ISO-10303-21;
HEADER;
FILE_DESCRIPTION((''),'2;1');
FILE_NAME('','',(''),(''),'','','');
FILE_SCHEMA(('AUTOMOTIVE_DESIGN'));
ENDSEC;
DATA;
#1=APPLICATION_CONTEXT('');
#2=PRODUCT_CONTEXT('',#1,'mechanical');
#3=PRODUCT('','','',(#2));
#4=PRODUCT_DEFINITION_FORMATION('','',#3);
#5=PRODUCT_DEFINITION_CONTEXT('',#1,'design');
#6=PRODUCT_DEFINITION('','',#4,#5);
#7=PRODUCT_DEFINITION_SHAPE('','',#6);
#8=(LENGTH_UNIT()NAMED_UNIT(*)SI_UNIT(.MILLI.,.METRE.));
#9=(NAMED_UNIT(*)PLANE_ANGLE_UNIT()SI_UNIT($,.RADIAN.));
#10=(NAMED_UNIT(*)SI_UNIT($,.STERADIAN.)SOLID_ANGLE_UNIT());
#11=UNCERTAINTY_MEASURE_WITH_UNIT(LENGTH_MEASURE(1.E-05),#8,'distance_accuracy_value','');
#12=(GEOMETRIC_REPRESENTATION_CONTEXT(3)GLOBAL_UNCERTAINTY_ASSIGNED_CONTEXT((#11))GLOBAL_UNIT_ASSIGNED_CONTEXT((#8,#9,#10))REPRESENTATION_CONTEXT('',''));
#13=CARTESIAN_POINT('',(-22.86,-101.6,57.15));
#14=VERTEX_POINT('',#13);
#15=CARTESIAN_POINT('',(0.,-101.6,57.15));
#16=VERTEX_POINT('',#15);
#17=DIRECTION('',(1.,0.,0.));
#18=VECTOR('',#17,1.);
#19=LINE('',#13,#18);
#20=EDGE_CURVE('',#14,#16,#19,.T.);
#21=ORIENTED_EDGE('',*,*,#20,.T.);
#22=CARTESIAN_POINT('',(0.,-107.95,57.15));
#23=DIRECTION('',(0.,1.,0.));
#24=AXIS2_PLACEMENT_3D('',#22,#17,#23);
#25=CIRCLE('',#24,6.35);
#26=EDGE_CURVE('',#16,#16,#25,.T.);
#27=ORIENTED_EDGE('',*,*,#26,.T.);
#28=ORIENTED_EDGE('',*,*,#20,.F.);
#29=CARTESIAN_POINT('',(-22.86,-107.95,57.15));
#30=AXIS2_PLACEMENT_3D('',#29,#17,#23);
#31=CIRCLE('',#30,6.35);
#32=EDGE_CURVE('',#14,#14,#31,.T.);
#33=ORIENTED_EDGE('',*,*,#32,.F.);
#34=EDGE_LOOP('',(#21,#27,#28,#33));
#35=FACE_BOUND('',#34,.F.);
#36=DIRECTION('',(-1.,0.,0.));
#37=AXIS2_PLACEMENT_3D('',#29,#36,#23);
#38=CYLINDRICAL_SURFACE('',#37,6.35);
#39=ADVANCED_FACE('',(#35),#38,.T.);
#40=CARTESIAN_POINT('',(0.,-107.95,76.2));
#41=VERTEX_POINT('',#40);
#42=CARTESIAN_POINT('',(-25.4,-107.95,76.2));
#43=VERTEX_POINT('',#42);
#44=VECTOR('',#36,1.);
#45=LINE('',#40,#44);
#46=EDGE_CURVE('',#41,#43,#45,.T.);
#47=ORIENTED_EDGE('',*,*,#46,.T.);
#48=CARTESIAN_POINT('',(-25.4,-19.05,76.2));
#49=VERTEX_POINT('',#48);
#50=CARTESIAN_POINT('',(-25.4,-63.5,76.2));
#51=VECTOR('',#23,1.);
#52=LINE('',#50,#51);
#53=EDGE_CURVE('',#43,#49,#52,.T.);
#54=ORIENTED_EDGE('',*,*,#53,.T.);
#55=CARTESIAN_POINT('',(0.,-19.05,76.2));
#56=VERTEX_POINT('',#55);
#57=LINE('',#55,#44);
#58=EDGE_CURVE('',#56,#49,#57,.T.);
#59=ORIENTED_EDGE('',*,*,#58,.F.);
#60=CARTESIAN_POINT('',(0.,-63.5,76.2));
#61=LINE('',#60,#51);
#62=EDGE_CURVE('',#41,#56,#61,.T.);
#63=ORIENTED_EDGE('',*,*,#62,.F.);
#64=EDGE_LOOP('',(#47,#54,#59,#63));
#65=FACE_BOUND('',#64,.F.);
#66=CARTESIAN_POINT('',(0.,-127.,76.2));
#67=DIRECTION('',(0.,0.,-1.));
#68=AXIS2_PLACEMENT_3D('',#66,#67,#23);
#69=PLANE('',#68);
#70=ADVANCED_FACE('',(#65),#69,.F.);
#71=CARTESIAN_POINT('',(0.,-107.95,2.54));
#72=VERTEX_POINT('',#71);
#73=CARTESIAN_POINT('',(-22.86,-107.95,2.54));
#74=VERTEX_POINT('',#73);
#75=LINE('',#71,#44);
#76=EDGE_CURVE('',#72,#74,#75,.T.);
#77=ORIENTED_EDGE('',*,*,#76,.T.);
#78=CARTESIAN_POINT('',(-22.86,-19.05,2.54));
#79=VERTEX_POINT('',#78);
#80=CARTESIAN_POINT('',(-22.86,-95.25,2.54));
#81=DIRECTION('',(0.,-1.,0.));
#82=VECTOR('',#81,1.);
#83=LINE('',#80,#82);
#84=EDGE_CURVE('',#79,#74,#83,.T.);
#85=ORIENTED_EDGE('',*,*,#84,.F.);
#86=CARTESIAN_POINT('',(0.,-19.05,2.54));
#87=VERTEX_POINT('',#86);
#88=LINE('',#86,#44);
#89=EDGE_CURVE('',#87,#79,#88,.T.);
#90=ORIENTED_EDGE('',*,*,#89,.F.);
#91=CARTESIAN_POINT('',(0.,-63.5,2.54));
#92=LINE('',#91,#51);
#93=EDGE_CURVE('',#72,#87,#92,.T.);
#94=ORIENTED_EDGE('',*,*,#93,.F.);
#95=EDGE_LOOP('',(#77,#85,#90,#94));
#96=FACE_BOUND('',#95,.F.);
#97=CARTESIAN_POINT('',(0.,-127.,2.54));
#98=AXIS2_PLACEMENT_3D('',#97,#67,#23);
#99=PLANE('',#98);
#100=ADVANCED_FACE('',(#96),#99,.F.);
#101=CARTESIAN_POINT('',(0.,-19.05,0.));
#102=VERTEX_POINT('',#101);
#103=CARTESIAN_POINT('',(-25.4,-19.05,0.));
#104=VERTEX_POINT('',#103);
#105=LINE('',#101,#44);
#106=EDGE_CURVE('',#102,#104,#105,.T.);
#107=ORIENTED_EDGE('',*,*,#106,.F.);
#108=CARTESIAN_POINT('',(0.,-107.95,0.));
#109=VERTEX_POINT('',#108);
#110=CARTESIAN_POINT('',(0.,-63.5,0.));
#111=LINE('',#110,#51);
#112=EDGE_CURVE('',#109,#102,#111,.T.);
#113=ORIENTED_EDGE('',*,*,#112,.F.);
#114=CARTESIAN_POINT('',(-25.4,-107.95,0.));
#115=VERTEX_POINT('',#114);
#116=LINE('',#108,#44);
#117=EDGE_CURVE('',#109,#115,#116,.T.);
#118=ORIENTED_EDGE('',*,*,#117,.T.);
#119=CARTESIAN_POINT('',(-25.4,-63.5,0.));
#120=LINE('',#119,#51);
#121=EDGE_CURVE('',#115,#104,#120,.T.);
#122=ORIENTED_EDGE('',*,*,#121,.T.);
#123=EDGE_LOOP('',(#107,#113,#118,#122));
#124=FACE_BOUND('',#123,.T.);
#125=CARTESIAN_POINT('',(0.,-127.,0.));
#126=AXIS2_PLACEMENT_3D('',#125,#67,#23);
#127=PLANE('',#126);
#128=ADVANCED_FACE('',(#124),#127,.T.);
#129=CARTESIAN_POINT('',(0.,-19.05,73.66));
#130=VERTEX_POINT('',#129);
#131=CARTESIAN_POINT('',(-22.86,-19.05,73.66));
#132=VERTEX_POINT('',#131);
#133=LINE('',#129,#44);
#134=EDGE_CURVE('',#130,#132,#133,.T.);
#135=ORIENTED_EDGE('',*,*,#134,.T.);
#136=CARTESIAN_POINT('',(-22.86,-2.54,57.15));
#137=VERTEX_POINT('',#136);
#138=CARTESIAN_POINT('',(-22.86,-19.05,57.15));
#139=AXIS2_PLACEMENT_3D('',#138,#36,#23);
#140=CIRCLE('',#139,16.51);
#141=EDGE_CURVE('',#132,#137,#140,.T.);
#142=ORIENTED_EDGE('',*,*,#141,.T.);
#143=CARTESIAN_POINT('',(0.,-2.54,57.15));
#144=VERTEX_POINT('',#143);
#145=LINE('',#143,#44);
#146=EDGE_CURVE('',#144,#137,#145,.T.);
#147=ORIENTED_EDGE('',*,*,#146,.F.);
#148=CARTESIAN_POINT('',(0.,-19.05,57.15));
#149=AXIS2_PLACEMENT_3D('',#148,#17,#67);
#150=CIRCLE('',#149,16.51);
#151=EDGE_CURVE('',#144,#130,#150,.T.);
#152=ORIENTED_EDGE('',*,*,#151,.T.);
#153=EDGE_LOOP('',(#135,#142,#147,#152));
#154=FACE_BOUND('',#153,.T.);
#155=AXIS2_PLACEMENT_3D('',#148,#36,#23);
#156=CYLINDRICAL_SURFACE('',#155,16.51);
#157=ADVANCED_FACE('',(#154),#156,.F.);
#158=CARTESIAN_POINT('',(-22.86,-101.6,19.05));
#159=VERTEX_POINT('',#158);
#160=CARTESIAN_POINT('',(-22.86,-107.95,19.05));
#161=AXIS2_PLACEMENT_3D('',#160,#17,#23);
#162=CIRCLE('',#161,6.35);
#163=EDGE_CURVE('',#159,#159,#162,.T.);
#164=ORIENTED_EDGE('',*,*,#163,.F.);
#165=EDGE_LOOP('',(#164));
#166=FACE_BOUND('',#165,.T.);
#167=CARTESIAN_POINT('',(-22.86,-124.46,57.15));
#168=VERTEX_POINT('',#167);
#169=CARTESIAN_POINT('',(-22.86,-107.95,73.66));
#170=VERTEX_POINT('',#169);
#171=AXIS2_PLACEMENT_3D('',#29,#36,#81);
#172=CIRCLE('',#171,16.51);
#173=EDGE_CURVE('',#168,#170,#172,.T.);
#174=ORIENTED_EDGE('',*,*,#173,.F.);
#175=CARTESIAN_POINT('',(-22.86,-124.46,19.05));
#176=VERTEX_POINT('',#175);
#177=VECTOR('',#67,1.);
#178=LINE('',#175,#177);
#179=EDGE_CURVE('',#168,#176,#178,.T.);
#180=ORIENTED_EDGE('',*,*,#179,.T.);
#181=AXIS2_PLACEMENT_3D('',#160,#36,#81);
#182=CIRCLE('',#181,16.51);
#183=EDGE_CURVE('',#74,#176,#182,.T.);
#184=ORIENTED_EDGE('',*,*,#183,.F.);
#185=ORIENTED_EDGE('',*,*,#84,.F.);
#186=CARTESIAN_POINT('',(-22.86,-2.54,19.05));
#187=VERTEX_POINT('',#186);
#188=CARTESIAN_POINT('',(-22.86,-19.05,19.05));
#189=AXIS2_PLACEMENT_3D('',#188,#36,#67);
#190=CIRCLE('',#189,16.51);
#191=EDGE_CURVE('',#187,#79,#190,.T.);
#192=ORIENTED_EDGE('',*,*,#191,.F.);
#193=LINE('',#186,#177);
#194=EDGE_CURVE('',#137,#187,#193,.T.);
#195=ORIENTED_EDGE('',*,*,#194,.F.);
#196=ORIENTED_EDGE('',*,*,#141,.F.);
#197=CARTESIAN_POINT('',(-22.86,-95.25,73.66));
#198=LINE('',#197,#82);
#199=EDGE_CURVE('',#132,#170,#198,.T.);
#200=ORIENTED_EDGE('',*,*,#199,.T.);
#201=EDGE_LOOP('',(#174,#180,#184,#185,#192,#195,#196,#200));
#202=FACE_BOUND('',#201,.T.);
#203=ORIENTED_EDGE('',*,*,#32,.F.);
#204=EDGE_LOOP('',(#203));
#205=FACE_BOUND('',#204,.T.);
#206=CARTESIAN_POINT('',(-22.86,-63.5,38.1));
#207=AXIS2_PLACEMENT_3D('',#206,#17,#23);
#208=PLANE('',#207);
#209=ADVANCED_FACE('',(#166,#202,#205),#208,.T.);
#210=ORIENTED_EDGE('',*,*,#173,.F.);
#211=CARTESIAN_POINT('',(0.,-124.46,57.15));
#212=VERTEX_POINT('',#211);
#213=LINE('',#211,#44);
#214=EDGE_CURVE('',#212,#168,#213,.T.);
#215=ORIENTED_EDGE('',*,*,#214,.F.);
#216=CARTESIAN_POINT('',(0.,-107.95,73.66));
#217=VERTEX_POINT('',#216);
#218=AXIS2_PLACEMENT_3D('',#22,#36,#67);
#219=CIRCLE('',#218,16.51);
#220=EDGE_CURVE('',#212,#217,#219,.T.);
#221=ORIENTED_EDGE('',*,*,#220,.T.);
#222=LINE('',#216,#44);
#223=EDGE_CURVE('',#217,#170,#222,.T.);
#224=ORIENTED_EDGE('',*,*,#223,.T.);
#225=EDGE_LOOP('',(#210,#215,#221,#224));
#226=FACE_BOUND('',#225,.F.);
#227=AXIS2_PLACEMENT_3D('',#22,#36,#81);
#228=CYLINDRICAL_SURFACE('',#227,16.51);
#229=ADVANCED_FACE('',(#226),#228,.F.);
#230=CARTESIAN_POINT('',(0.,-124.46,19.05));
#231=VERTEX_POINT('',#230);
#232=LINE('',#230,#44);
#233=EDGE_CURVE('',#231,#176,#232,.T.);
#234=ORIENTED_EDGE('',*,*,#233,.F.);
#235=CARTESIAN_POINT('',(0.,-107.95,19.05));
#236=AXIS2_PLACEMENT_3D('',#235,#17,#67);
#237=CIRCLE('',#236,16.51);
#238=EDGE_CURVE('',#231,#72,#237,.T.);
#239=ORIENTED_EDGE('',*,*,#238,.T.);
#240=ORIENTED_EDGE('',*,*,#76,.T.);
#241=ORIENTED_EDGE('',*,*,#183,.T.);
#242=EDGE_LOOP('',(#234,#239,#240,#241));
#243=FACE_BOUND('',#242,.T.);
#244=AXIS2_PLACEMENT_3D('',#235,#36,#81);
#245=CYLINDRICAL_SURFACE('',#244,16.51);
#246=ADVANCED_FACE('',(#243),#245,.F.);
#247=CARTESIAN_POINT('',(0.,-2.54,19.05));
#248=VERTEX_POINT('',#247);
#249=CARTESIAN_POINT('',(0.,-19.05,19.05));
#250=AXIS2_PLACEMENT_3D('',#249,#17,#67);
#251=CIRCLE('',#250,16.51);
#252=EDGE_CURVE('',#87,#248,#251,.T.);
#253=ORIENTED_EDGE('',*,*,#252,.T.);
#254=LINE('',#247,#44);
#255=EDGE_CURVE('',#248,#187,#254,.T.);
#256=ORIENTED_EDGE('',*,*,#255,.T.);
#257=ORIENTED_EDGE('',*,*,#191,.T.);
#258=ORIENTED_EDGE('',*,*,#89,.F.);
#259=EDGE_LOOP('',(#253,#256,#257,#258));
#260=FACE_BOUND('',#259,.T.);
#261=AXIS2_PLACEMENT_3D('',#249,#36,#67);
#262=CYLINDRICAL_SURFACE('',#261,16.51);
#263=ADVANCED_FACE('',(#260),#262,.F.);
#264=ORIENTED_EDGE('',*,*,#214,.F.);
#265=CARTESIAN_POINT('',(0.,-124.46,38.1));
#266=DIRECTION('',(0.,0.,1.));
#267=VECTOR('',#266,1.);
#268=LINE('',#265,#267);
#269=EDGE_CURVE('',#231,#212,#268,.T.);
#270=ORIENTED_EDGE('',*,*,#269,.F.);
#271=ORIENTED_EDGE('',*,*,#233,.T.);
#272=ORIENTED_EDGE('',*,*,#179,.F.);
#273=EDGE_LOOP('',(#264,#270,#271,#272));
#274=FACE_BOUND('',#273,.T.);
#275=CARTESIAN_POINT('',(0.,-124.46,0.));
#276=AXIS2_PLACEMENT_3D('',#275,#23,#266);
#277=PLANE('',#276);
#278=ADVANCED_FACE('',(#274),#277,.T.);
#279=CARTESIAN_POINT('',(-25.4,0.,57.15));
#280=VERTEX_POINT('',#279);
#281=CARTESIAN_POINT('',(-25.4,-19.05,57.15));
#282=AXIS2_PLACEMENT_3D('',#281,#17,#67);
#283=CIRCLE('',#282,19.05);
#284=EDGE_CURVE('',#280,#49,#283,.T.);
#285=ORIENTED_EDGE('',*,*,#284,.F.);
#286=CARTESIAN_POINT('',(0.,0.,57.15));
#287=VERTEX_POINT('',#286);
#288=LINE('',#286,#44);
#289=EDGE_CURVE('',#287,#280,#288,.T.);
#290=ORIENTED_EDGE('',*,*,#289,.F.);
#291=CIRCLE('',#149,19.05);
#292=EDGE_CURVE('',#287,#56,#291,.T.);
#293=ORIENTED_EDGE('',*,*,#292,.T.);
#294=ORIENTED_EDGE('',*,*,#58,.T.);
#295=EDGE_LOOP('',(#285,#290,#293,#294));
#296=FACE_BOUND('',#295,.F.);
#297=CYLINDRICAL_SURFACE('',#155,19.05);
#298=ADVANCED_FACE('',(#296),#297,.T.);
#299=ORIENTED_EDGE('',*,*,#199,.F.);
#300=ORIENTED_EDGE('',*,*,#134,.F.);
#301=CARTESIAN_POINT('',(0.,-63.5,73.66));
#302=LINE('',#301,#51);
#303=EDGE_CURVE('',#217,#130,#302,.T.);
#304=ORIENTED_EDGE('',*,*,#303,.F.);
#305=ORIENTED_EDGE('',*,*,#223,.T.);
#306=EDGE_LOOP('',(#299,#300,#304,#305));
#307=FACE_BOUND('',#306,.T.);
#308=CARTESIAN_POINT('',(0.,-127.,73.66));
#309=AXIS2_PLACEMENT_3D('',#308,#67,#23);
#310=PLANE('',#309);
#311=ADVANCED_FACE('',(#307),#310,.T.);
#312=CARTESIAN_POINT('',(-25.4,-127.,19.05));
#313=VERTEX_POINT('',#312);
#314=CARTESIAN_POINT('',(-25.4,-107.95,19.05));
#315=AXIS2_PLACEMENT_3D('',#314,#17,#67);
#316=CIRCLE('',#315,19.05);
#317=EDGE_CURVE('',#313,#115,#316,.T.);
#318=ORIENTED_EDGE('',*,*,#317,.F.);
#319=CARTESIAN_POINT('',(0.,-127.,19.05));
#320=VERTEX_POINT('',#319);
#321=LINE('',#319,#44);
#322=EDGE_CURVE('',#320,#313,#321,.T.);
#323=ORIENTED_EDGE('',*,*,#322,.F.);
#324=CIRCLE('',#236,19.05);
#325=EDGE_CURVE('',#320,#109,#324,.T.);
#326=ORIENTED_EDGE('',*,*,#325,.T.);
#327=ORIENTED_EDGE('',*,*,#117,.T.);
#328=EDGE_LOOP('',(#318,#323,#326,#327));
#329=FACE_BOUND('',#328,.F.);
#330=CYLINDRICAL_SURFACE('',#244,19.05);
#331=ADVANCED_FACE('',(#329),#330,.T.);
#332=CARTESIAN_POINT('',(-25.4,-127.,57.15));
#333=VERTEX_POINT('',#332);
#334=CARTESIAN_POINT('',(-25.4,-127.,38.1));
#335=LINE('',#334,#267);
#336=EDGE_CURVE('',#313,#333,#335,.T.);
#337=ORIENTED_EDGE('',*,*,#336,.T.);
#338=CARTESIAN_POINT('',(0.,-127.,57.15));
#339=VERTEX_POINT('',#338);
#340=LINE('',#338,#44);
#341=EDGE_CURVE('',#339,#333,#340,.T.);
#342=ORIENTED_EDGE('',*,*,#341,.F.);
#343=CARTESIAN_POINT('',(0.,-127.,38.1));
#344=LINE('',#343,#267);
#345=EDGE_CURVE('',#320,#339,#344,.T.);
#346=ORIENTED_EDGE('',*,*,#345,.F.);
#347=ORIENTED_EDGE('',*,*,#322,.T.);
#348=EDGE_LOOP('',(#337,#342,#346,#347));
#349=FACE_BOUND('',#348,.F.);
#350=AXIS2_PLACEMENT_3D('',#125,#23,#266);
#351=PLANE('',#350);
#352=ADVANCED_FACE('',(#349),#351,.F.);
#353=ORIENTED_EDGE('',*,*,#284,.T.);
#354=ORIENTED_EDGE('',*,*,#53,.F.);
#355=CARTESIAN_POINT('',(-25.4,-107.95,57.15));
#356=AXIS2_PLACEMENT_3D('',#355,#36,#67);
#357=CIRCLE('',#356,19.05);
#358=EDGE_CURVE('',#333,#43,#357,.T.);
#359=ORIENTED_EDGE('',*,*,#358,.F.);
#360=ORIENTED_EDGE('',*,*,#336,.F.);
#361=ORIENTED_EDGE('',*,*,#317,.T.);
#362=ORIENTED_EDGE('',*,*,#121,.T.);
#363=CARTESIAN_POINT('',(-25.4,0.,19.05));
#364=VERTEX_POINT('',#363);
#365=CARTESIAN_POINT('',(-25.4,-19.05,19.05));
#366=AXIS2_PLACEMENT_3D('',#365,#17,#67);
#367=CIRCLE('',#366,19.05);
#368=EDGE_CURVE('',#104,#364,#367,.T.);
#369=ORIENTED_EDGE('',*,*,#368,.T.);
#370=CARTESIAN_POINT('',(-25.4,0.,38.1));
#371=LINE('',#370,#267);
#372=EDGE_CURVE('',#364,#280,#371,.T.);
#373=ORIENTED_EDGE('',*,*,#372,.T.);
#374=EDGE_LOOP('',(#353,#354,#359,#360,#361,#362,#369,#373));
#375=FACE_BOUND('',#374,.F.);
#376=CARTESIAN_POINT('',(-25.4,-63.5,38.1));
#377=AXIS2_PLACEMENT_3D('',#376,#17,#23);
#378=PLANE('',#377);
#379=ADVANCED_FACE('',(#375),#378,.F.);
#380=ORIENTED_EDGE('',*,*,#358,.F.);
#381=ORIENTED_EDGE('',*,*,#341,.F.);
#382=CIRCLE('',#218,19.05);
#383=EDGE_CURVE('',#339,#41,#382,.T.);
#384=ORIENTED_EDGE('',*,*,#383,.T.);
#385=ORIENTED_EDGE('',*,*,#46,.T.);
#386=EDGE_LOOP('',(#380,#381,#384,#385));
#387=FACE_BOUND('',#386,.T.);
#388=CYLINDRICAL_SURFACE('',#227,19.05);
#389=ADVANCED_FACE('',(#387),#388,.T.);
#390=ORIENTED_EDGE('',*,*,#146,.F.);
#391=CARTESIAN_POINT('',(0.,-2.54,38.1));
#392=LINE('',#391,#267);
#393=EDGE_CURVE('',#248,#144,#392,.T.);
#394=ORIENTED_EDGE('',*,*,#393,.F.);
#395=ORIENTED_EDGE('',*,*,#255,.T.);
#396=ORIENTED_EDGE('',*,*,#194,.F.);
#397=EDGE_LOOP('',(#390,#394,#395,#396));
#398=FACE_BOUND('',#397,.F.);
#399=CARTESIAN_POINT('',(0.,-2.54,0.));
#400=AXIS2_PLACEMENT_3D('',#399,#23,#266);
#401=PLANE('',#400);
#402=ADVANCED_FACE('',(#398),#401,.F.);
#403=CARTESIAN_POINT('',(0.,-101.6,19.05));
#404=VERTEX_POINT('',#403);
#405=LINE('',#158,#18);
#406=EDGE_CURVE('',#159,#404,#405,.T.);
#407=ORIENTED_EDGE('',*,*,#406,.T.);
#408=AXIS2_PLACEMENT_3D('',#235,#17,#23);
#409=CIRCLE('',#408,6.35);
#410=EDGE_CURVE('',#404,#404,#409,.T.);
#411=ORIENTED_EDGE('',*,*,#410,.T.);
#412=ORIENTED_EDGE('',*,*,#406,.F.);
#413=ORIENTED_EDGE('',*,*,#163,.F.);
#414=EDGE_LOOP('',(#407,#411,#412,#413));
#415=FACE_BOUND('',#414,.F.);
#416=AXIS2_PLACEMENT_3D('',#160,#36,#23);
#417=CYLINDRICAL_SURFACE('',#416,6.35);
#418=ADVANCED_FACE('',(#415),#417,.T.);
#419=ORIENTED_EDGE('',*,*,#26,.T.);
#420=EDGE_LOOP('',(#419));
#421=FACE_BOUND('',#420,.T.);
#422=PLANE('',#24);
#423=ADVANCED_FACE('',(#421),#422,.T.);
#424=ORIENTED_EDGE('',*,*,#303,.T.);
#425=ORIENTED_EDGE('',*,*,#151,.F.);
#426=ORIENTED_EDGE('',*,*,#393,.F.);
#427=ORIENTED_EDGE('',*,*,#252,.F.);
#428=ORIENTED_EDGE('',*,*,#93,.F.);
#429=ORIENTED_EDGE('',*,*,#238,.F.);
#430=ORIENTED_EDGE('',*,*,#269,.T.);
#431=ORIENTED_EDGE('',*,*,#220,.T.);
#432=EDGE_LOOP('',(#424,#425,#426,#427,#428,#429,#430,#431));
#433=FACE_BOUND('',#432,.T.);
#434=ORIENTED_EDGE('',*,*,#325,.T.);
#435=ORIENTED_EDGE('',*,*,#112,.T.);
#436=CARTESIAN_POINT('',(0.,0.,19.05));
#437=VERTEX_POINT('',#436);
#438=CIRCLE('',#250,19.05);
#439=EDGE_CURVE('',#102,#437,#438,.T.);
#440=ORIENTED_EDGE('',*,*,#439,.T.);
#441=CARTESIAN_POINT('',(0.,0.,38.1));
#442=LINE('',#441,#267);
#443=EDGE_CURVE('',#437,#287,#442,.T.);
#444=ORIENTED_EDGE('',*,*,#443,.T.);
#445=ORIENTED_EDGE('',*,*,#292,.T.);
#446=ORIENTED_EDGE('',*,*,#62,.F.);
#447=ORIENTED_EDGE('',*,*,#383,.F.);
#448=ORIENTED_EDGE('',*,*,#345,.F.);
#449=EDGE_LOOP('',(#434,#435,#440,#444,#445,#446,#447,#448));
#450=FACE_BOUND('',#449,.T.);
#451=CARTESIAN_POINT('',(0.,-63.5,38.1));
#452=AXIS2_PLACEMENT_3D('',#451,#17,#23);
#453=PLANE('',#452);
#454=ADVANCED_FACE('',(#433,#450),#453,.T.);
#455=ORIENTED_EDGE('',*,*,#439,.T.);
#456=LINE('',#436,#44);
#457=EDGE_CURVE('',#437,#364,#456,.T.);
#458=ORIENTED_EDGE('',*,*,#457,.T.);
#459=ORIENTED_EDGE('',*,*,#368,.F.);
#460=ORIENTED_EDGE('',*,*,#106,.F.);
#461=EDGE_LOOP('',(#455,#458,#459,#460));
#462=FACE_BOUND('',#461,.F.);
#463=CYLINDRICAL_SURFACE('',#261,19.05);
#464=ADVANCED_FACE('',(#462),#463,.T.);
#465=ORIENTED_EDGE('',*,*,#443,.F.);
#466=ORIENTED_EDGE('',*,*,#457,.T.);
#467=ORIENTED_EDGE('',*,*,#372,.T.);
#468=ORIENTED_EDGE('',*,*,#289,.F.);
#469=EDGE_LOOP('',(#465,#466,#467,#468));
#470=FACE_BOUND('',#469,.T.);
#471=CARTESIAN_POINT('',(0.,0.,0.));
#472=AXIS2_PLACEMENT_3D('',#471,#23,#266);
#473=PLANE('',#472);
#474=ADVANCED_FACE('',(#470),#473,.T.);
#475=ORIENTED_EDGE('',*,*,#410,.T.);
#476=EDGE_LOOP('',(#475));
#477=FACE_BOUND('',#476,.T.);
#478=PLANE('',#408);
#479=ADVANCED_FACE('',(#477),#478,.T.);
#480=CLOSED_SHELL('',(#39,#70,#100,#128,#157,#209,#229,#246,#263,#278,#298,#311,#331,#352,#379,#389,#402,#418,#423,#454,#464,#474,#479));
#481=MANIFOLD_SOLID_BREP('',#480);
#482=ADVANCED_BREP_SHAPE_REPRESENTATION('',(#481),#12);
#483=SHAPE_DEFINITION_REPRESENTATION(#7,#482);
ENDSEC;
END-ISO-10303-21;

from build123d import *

# Parameters (mm, degrees)
F0_W     = 127
F0_H     = 76.2
F1_DEPTH = 25.4
F2_R     = 19.05
F3_T     = -2.54
F4_R     = 6.35
F5_DEPTH = 22.86


with BuildPart() as f1:
    # F0 (on Right) → F1 (new body)
    with BuildSketch(Plane.YZ):
        with Locations((-63.5, 38.1)):
            Rectangle(F0_W, F0_H)
    extrude(amount=-F1_DEPTH)

    # F2
    f2_edges = [f1.edges().sort_by_distance(p)[0] for p in [
        (-12.7, -127, 76.2),
        (-12.7, -127, 0),
        (-12.7, 0, 76.2),
        (-12.7, 0, 0),
    ]]
    fillet(f2_edges, radius=F2_R)

    # F3
    f3_openings = [f1.faces().sort_by_distance(p)[0] for p in [
        (0, -63.5, 38.1),
    ]]
    offset(amount=F3_T, openings=f3_openings)

    # F4 (on face) → F5 (join, through all)
    with BuildSketch(Plane.YZ.offset(-22.86)):
        with Locations((-107.95, 57.15)):
            Circle(F4_R)
        with Locations((-107.95, 19.05)):
            Circle(F4_R)
    extrude(amount=F5_DEPTH)


solid = f1.part
